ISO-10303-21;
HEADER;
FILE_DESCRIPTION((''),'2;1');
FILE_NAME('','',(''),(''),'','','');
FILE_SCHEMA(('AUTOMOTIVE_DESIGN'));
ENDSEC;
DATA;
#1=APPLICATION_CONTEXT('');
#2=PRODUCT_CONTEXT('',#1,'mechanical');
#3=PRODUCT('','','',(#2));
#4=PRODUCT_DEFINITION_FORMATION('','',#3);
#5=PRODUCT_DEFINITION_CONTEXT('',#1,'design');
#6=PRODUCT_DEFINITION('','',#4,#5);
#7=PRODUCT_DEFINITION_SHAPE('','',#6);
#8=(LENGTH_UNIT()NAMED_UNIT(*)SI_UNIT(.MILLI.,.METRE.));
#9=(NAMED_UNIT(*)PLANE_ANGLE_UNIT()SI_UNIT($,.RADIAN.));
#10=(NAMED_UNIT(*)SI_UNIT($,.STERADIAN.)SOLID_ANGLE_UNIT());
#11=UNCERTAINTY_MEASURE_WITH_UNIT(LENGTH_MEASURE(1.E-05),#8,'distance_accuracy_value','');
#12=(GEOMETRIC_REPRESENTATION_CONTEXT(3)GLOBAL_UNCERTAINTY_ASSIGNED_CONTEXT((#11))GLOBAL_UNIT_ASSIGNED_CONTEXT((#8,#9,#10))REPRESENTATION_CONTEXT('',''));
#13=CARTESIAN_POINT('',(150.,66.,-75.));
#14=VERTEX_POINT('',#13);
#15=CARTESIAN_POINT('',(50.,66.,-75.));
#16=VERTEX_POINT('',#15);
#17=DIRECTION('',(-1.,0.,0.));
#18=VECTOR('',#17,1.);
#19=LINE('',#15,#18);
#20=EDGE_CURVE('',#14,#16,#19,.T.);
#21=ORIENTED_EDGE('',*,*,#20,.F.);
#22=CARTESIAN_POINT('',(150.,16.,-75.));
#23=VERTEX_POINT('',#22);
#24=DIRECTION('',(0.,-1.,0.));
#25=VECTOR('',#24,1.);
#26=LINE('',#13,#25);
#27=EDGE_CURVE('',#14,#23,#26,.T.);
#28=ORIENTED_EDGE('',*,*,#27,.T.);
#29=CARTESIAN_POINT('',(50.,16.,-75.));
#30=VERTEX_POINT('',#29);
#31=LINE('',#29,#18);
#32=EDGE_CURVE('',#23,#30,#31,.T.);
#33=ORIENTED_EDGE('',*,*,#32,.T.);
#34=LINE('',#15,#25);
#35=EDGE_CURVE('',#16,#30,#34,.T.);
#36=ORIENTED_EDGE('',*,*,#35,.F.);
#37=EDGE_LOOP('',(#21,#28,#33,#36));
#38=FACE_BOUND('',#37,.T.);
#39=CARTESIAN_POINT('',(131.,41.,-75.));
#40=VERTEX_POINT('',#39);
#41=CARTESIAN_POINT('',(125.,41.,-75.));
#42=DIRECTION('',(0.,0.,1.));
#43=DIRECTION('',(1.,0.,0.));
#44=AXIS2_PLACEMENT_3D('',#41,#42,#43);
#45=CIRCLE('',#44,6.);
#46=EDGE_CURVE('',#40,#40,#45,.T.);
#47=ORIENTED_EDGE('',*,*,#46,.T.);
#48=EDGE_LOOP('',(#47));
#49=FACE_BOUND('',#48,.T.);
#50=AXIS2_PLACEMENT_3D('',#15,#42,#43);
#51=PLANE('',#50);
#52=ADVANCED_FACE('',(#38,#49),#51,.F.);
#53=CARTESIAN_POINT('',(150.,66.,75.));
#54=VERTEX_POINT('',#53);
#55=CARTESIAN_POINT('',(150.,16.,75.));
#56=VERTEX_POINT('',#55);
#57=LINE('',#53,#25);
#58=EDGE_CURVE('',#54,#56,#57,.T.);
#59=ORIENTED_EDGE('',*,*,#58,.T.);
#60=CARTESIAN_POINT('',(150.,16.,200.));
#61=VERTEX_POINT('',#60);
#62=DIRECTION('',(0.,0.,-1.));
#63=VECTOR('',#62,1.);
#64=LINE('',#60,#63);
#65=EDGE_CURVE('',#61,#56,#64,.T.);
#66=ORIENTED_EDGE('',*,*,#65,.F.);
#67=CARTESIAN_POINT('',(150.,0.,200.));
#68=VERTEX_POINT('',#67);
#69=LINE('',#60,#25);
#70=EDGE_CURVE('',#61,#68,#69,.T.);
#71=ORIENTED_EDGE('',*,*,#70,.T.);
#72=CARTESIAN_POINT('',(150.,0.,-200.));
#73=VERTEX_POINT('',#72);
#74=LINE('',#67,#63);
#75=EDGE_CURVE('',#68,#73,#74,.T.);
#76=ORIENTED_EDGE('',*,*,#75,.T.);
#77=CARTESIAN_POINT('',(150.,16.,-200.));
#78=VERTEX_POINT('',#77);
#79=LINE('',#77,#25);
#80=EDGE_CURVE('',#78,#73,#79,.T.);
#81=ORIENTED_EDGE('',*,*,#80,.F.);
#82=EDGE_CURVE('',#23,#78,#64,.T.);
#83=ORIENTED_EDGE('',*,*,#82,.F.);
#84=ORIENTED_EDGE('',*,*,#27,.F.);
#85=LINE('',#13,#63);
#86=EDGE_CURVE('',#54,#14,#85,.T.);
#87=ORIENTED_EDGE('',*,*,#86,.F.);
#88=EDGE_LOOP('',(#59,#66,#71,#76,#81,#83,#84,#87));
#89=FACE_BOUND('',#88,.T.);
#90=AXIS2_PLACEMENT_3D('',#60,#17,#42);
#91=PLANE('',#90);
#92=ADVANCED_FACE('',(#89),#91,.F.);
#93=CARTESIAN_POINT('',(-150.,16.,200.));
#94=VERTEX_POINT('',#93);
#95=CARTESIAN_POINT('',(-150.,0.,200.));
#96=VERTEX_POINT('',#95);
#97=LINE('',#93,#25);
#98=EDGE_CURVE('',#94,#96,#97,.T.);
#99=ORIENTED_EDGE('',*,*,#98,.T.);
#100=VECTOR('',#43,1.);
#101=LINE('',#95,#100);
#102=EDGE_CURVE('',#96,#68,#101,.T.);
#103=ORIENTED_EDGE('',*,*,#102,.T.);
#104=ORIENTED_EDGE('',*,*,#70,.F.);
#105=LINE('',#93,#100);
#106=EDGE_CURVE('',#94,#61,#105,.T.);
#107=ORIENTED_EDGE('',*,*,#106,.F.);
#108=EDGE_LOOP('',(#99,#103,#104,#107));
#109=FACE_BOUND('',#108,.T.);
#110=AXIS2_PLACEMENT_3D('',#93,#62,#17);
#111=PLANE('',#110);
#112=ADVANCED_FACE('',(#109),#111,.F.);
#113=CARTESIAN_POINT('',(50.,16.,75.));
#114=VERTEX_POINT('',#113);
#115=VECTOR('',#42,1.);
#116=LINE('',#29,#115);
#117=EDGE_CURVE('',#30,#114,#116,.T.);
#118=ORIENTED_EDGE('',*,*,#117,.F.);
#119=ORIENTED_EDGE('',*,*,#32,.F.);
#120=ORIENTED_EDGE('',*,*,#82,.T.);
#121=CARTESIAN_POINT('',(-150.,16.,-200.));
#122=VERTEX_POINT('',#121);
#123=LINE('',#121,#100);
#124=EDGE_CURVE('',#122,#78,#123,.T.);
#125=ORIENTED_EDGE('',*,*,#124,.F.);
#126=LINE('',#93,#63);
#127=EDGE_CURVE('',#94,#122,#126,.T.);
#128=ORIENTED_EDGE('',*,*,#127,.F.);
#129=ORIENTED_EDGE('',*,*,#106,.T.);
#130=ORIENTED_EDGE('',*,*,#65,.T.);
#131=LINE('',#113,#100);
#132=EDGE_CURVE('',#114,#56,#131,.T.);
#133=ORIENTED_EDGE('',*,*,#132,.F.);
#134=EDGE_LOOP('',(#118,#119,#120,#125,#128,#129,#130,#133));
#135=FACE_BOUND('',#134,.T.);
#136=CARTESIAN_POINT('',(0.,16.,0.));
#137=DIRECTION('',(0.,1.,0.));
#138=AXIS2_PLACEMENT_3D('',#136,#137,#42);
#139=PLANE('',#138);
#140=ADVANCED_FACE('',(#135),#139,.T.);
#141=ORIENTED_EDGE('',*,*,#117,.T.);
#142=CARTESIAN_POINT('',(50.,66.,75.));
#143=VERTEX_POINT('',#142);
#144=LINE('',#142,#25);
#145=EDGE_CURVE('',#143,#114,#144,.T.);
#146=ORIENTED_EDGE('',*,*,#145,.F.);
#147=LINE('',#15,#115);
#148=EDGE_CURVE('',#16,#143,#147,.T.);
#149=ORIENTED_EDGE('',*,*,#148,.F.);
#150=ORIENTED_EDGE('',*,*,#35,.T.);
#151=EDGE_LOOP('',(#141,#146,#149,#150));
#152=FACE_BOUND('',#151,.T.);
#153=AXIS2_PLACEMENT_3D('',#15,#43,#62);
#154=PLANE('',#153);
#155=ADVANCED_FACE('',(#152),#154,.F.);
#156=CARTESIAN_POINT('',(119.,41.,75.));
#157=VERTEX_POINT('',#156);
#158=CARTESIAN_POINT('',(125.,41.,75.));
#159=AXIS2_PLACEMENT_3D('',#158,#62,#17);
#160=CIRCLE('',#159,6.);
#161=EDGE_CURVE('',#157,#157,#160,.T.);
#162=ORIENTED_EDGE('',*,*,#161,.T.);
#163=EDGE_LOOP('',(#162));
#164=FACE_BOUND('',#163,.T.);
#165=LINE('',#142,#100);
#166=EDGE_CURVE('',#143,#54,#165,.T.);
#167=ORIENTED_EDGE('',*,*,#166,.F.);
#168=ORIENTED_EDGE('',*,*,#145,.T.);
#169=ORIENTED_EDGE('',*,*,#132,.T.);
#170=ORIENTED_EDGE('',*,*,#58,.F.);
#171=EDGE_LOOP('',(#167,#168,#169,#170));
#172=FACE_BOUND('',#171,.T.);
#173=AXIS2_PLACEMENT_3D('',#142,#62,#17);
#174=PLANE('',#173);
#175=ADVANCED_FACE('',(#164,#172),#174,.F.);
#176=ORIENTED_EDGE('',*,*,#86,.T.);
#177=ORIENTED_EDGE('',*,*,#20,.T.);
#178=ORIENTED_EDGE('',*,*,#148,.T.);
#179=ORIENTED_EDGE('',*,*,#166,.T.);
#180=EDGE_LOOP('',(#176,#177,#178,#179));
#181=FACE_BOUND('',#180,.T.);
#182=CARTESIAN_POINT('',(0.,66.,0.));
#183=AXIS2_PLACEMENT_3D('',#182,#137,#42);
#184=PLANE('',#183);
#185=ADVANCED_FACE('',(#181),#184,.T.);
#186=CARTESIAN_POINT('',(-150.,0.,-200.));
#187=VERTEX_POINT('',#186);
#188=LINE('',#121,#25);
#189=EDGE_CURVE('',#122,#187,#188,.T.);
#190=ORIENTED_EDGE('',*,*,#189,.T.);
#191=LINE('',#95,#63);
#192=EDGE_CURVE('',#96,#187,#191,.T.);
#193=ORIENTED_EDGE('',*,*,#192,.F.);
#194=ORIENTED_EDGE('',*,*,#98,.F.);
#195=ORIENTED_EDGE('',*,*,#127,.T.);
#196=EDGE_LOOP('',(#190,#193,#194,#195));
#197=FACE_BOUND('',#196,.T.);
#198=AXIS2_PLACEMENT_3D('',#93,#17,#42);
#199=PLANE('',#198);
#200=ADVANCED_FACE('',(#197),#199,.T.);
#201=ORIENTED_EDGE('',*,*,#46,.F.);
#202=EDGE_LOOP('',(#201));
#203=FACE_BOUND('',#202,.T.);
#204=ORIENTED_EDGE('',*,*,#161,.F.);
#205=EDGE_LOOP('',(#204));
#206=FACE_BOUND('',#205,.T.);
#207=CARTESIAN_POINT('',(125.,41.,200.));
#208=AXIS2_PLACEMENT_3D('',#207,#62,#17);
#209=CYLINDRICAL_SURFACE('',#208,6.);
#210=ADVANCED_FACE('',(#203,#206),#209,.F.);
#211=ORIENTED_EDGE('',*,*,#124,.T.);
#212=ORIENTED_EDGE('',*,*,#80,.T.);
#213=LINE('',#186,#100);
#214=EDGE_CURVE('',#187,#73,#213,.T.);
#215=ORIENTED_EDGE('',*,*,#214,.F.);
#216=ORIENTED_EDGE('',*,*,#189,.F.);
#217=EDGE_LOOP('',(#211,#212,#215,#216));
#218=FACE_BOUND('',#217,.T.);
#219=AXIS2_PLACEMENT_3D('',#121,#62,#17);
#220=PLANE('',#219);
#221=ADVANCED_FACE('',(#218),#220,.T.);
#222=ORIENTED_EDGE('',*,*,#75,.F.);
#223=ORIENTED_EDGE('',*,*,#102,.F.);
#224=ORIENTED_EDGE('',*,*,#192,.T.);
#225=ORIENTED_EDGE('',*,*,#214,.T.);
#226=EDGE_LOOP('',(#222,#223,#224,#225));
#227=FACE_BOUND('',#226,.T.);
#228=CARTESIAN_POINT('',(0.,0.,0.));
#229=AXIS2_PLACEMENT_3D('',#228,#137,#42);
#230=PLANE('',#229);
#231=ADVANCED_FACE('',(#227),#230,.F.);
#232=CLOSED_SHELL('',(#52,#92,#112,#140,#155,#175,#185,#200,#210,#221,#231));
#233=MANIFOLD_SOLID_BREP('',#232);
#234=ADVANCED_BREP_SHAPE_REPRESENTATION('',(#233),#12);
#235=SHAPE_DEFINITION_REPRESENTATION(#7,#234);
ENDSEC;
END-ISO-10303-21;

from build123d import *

# Parameters (mm, degrees)
SKETCH1_W               = 300
SKETCH1_H               = 400
BOSS_EXTRUDE1_DEPTH     = 16
SKETCH2_W               = 100
SKETCH2_H               = 150
BOSS_EXTRUDE2_DEPTH     = 50
CUT_EXTRUDE1_DEPTH      = 321.126537482
CUT_EXTRUDE1_DEPTH_BACK = 321.126537482
SKETCH3_R               = 6


with BuildPart() as part:
    # Sketch1 → Boss-Extrude1 (new body)
    with BuildSketch(Plane(origin=(0, 0, 0), x_dir=(1, 0, 0), z_dir=(0, 1, 0))):
        Rectangle(SKETCH1_W, SKETCH1_H)
    extrude(amount=BOSS_EXTRUDE1_DEPTH)

    # Sketch2 → Boss-Extrude2 (add)
    with BuildSketch(Plane(origin=(0, 16, 0), x_dir=(1, 0, 0), z_dir=(0, 1, 0))):
        with Locations((100, 0)):
            Rectangle(SKETCH2_W, SKETCH2_H)
    extrude(amount=BOSS_EXTRUDE2_DEPTH)

    # Sketch3 → Cut-Extrude1 (cut, two sides: drawn at the far end of the back side and taken through both)
    with BuildSketch(Plane(origin=(0, 0, -75), x_dir=(-1, 0, 0), z_dir=(0, 0, -1)).offset(-CUT_EXTRUDE1_DEPTH_BACK)):
        with Locations((-125, 41)):
            Circle(SKETCH3_R)
    extrude(amount=CUT_EXTRUDE1_DEPTH + CUT_EXTRUDE1_DEPTH_BACK, mode=Mode.SUBTRACT)


solid = part.part
